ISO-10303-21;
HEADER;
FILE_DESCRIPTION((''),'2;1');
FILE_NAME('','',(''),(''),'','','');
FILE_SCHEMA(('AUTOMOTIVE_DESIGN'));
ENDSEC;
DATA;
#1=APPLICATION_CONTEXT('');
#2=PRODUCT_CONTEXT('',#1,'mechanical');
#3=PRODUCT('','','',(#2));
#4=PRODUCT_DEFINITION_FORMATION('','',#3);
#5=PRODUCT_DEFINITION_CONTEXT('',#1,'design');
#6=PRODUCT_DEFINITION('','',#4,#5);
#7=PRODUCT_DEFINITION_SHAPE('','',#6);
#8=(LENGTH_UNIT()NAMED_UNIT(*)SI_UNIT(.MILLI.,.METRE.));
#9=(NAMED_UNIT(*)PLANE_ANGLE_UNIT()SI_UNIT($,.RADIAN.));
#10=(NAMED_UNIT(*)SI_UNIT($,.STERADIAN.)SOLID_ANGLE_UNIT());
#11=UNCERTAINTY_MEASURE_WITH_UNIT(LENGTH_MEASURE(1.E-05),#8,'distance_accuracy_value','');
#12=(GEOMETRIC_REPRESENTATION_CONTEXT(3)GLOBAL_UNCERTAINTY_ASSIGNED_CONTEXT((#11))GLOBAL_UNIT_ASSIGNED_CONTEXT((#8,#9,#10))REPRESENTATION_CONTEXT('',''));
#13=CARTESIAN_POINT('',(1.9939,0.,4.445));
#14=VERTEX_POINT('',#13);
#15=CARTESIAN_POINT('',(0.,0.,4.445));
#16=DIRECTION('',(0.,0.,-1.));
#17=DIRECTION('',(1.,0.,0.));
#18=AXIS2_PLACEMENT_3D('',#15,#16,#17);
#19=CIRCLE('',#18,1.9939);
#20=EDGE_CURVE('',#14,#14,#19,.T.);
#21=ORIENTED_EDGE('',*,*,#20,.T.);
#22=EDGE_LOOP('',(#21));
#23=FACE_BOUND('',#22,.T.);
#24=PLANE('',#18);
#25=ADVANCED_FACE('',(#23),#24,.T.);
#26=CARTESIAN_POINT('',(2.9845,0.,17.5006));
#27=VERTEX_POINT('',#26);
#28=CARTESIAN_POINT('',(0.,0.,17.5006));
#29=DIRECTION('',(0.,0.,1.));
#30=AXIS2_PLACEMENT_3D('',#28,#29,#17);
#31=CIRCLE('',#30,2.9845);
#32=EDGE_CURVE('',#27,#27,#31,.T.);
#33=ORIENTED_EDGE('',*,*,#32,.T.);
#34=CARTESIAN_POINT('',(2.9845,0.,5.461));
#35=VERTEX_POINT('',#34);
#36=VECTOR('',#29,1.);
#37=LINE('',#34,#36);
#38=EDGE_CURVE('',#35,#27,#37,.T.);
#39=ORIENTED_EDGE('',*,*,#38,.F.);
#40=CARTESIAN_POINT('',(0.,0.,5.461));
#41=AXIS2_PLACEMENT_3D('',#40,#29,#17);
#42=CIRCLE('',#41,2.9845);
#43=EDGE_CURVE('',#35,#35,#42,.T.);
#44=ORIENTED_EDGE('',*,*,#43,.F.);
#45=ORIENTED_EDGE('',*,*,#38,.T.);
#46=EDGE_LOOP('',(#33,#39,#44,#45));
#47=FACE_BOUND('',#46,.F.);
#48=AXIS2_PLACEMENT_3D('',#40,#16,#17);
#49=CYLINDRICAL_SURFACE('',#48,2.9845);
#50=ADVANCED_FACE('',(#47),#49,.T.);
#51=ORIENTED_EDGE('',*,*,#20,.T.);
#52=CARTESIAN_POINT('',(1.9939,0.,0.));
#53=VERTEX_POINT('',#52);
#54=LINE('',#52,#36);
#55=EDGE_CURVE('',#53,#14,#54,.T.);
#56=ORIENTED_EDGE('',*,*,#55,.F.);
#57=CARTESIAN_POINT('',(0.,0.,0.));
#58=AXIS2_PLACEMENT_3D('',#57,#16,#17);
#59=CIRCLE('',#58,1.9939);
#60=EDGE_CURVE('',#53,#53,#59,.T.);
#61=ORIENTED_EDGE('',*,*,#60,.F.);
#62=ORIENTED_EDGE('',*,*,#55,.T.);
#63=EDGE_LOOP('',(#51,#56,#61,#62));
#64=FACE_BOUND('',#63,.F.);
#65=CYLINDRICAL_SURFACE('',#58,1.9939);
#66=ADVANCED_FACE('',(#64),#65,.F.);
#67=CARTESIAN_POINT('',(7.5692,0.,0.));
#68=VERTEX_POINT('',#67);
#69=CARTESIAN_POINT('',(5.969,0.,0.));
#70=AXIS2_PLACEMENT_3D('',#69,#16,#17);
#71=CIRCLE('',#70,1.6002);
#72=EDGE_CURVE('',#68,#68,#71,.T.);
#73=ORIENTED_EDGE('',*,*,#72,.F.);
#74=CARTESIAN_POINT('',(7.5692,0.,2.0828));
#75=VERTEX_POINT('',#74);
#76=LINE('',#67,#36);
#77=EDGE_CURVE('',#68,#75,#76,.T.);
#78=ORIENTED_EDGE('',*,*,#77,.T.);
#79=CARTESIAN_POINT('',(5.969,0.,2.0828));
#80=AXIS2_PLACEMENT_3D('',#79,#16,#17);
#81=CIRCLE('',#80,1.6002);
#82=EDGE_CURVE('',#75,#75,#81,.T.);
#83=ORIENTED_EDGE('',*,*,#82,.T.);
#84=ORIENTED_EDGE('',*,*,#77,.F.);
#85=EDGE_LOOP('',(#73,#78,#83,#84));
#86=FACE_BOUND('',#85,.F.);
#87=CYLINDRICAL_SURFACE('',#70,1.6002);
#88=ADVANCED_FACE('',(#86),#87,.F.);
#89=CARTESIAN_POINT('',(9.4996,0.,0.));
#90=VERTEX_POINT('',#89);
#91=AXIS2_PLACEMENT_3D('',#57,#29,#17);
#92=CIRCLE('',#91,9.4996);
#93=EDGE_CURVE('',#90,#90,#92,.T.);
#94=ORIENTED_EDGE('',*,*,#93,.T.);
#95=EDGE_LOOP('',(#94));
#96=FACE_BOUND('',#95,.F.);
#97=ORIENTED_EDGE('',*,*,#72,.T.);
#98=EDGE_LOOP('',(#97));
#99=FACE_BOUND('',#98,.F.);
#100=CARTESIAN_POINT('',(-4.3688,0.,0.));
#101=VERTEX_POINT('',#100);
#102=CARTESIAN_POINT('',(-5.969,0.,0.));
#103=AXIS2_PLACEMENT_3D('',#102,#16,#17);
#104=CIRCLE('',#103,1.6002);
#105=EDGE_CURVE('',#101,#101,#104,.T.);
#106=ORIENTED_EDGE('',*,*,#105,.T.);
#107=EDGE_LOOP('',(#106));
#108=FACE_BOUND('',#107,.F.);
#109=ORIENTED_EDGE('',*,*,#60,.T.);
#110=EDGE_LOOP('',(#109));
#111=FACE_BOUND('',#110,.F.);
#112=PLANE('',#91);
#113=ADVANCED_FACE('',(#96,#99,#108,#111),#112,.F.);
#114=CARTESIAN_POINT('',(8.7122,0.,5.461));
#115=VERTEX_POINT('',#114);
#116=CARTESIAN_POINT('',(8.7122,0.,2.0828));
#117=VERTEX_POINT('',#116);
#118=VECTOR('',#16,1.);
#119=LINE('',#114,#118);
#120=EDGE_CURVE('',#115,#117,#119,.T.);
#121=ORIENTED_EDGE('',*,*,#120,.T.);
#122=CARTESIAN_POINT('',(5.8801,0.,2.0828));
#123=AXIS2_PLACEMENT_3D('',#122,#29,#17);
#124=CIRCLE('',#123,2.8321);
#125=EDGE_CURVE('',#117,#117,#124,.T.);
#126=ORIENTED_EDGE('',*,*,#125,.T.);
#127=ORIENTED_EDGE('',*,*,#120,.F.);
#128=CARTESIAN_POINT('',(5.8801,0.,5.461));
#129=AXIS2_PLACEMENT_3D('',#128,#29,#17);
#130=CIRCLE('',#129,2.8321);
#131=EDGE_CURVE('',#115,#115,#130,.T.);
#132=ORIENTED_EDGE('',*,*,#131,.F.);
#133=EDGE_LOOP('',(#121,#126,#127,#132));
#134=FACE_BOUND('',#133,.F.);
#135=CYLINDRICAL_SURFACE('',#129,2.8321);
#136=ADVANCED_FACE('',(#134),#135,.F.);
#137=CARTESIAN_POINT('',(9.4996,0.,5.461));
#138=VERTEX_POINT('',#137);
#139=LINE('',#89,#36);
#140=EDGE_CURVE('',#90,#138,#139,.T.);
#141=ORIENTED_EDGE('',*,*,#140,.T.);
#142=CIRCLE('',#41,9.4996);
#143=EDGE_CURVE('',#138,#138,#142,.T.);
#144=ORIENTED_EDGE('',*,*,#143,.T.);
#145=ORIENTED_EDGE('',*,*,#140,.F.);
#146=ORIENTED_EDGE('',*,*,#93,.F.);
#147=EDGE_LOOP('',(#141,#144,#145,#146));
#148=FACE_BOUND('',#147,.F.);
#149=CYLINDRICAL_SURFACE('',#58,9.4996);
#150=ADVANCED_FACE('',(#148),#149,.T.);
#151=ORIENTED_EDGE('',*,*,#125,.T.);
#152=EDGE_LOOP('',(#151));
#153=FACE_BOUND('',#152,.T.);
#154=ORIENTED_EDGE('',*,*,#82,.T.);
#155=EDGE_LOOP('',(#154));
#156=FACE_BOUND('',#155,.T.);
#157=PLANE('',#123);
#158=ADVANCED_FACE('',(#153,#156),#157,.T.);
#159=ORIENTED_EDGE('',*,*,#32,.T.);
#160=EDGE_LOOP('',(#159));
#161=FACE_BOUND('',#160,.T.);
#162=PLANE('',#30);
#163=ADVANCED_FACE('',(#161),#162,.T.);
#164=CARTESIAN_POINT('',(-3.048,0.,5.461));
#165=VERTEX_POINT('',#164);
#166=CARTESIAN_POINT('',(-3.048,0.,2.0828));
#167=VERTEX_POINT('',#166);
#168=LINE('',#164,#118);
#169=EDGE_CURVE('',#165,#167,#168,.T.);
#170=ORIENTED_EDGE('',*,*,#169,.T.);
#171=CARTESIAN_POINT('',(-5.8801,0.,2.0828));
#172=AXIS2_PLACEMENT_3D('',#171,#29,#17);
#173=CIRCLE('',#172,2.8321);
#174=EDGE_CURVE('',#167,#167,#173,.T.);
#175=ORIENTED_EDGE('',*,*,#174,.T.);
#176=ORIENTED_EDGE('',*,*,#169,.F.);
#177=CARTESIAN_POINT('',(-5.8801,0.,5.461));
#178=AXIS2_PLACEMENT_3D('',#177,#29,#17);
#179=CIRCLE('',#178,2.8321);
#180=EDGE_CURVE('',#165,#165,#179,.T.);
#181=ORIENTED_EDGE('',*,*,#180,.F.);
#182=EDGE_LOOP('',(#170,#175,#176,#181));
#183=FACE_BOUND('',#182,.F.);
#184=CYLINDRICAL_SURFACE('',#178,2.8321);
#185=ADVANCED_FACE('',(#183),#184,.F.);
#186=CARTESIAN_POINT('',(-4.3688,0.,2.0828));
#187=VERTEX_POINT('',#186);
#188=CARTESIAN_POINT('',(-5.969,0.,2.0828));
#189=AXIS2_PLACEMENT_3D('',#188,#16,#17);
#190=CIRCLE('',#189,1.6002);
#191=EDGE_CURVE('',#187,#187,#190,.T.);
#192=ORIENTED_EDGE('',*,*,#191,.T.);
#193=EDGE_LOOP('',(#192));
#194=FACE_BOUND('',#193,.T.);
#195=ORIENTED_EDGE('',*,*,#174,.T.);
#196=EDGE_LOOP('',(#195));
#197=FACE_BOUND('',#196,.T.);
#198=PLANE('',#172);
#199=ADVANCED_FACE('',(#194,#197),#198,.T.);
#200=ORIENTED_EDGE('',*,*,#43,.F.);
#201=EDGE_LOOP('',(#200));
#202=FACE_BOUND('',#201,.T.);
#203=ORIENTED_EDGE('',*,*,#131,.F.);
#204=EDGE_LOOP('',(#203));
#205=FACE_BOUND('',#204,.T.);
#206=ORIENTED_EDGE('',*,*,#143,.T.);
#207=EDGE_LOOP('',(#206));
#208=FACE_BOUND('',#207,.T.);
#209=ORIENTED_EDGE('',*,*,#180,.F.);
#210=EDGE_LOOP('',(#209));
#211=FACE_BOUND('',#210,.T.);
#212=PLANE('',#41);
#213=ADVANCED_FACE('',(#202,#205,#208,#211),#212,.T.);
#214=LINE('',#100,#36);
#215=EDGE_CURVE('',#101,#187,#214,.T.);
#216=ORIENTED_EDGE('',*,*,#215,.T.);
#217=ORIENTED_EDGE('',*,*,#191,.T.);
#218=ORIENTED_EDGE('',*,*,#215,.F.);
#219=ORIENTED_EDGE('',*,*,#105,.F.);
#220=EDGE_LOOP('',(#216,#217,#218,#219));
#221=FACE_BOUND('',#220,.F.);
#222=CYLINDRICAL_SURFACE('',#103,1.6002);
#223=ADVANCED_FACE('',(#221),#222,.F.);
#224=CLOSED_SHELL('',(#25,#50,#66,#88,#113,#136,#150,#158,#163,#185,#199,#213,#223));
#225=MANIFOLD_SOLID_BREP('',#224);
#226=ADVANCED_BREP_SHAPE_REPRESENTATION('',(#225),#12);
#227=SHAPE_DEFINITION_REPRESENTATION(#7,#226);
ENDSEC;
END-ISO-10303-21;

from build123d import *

# Parameters (mm, degrees)
F0_R     = 9.4996
F1_DEPTH = 5.461
F2_R     = 2.9845
F3_DEPTH = 12.0396
F4_R     = 2.8321
F5_DEPTH = 3.3782
F6_R     = 1.9939
F7_DEPTH = 4.445
F8_R     = 1.6002
F9_DEPTH = 25.4


with BuildPart() as f1:
    # F0 (on Top) → F1 (new body)
    with BuildSketch(Plane.XY):
        Circle(F0_R)
    extrude(amount=F1_DEPTH)

    # F2 (on face) → F3 (join)
    with BuildSketch(Plane.XY.offset(5.461)):
        Circle(F2_R)
    extrude(amount=F3_DEPTH)

    # F4 (on face) → F5 (cut)
    with BuildSketch(Plane.XY.offset(5.461)):
        with Locations((-5.8801, 0)):
            Circle(F4_R)
        with Locations((5.8801, 0)):
            Circle(F4_R)
    extrude(amount=-F5_DEPTH, mode=Mode.SUBTRACT)

    # F6 (on face) → F7 (cut)
    with BuildSketch(Plane(origin=(0, 0, 0), x_dir=(1, 0, 0), z_dir=(0, 0, -1))):
        Circle(F6_R)
    extrude(amount=-F7_DEPTH, mode=Mode.SUBTRACT)

    # F8 (on face) → F9 (cut)
    with BuildSketch(Plane(origin=(0, 0, 0), x_dir=(1, 0, 0), z_dir=(0, 0, -1))):
        with Locations((5.969, 0)):
            Circle(F8_R)
        with Locations((-5.969, 0)):
            Circle(F8_R)
    extrude(amount=-F9_DEPTH, mode=Mode.SUBTRACT)


solid = f1.part
